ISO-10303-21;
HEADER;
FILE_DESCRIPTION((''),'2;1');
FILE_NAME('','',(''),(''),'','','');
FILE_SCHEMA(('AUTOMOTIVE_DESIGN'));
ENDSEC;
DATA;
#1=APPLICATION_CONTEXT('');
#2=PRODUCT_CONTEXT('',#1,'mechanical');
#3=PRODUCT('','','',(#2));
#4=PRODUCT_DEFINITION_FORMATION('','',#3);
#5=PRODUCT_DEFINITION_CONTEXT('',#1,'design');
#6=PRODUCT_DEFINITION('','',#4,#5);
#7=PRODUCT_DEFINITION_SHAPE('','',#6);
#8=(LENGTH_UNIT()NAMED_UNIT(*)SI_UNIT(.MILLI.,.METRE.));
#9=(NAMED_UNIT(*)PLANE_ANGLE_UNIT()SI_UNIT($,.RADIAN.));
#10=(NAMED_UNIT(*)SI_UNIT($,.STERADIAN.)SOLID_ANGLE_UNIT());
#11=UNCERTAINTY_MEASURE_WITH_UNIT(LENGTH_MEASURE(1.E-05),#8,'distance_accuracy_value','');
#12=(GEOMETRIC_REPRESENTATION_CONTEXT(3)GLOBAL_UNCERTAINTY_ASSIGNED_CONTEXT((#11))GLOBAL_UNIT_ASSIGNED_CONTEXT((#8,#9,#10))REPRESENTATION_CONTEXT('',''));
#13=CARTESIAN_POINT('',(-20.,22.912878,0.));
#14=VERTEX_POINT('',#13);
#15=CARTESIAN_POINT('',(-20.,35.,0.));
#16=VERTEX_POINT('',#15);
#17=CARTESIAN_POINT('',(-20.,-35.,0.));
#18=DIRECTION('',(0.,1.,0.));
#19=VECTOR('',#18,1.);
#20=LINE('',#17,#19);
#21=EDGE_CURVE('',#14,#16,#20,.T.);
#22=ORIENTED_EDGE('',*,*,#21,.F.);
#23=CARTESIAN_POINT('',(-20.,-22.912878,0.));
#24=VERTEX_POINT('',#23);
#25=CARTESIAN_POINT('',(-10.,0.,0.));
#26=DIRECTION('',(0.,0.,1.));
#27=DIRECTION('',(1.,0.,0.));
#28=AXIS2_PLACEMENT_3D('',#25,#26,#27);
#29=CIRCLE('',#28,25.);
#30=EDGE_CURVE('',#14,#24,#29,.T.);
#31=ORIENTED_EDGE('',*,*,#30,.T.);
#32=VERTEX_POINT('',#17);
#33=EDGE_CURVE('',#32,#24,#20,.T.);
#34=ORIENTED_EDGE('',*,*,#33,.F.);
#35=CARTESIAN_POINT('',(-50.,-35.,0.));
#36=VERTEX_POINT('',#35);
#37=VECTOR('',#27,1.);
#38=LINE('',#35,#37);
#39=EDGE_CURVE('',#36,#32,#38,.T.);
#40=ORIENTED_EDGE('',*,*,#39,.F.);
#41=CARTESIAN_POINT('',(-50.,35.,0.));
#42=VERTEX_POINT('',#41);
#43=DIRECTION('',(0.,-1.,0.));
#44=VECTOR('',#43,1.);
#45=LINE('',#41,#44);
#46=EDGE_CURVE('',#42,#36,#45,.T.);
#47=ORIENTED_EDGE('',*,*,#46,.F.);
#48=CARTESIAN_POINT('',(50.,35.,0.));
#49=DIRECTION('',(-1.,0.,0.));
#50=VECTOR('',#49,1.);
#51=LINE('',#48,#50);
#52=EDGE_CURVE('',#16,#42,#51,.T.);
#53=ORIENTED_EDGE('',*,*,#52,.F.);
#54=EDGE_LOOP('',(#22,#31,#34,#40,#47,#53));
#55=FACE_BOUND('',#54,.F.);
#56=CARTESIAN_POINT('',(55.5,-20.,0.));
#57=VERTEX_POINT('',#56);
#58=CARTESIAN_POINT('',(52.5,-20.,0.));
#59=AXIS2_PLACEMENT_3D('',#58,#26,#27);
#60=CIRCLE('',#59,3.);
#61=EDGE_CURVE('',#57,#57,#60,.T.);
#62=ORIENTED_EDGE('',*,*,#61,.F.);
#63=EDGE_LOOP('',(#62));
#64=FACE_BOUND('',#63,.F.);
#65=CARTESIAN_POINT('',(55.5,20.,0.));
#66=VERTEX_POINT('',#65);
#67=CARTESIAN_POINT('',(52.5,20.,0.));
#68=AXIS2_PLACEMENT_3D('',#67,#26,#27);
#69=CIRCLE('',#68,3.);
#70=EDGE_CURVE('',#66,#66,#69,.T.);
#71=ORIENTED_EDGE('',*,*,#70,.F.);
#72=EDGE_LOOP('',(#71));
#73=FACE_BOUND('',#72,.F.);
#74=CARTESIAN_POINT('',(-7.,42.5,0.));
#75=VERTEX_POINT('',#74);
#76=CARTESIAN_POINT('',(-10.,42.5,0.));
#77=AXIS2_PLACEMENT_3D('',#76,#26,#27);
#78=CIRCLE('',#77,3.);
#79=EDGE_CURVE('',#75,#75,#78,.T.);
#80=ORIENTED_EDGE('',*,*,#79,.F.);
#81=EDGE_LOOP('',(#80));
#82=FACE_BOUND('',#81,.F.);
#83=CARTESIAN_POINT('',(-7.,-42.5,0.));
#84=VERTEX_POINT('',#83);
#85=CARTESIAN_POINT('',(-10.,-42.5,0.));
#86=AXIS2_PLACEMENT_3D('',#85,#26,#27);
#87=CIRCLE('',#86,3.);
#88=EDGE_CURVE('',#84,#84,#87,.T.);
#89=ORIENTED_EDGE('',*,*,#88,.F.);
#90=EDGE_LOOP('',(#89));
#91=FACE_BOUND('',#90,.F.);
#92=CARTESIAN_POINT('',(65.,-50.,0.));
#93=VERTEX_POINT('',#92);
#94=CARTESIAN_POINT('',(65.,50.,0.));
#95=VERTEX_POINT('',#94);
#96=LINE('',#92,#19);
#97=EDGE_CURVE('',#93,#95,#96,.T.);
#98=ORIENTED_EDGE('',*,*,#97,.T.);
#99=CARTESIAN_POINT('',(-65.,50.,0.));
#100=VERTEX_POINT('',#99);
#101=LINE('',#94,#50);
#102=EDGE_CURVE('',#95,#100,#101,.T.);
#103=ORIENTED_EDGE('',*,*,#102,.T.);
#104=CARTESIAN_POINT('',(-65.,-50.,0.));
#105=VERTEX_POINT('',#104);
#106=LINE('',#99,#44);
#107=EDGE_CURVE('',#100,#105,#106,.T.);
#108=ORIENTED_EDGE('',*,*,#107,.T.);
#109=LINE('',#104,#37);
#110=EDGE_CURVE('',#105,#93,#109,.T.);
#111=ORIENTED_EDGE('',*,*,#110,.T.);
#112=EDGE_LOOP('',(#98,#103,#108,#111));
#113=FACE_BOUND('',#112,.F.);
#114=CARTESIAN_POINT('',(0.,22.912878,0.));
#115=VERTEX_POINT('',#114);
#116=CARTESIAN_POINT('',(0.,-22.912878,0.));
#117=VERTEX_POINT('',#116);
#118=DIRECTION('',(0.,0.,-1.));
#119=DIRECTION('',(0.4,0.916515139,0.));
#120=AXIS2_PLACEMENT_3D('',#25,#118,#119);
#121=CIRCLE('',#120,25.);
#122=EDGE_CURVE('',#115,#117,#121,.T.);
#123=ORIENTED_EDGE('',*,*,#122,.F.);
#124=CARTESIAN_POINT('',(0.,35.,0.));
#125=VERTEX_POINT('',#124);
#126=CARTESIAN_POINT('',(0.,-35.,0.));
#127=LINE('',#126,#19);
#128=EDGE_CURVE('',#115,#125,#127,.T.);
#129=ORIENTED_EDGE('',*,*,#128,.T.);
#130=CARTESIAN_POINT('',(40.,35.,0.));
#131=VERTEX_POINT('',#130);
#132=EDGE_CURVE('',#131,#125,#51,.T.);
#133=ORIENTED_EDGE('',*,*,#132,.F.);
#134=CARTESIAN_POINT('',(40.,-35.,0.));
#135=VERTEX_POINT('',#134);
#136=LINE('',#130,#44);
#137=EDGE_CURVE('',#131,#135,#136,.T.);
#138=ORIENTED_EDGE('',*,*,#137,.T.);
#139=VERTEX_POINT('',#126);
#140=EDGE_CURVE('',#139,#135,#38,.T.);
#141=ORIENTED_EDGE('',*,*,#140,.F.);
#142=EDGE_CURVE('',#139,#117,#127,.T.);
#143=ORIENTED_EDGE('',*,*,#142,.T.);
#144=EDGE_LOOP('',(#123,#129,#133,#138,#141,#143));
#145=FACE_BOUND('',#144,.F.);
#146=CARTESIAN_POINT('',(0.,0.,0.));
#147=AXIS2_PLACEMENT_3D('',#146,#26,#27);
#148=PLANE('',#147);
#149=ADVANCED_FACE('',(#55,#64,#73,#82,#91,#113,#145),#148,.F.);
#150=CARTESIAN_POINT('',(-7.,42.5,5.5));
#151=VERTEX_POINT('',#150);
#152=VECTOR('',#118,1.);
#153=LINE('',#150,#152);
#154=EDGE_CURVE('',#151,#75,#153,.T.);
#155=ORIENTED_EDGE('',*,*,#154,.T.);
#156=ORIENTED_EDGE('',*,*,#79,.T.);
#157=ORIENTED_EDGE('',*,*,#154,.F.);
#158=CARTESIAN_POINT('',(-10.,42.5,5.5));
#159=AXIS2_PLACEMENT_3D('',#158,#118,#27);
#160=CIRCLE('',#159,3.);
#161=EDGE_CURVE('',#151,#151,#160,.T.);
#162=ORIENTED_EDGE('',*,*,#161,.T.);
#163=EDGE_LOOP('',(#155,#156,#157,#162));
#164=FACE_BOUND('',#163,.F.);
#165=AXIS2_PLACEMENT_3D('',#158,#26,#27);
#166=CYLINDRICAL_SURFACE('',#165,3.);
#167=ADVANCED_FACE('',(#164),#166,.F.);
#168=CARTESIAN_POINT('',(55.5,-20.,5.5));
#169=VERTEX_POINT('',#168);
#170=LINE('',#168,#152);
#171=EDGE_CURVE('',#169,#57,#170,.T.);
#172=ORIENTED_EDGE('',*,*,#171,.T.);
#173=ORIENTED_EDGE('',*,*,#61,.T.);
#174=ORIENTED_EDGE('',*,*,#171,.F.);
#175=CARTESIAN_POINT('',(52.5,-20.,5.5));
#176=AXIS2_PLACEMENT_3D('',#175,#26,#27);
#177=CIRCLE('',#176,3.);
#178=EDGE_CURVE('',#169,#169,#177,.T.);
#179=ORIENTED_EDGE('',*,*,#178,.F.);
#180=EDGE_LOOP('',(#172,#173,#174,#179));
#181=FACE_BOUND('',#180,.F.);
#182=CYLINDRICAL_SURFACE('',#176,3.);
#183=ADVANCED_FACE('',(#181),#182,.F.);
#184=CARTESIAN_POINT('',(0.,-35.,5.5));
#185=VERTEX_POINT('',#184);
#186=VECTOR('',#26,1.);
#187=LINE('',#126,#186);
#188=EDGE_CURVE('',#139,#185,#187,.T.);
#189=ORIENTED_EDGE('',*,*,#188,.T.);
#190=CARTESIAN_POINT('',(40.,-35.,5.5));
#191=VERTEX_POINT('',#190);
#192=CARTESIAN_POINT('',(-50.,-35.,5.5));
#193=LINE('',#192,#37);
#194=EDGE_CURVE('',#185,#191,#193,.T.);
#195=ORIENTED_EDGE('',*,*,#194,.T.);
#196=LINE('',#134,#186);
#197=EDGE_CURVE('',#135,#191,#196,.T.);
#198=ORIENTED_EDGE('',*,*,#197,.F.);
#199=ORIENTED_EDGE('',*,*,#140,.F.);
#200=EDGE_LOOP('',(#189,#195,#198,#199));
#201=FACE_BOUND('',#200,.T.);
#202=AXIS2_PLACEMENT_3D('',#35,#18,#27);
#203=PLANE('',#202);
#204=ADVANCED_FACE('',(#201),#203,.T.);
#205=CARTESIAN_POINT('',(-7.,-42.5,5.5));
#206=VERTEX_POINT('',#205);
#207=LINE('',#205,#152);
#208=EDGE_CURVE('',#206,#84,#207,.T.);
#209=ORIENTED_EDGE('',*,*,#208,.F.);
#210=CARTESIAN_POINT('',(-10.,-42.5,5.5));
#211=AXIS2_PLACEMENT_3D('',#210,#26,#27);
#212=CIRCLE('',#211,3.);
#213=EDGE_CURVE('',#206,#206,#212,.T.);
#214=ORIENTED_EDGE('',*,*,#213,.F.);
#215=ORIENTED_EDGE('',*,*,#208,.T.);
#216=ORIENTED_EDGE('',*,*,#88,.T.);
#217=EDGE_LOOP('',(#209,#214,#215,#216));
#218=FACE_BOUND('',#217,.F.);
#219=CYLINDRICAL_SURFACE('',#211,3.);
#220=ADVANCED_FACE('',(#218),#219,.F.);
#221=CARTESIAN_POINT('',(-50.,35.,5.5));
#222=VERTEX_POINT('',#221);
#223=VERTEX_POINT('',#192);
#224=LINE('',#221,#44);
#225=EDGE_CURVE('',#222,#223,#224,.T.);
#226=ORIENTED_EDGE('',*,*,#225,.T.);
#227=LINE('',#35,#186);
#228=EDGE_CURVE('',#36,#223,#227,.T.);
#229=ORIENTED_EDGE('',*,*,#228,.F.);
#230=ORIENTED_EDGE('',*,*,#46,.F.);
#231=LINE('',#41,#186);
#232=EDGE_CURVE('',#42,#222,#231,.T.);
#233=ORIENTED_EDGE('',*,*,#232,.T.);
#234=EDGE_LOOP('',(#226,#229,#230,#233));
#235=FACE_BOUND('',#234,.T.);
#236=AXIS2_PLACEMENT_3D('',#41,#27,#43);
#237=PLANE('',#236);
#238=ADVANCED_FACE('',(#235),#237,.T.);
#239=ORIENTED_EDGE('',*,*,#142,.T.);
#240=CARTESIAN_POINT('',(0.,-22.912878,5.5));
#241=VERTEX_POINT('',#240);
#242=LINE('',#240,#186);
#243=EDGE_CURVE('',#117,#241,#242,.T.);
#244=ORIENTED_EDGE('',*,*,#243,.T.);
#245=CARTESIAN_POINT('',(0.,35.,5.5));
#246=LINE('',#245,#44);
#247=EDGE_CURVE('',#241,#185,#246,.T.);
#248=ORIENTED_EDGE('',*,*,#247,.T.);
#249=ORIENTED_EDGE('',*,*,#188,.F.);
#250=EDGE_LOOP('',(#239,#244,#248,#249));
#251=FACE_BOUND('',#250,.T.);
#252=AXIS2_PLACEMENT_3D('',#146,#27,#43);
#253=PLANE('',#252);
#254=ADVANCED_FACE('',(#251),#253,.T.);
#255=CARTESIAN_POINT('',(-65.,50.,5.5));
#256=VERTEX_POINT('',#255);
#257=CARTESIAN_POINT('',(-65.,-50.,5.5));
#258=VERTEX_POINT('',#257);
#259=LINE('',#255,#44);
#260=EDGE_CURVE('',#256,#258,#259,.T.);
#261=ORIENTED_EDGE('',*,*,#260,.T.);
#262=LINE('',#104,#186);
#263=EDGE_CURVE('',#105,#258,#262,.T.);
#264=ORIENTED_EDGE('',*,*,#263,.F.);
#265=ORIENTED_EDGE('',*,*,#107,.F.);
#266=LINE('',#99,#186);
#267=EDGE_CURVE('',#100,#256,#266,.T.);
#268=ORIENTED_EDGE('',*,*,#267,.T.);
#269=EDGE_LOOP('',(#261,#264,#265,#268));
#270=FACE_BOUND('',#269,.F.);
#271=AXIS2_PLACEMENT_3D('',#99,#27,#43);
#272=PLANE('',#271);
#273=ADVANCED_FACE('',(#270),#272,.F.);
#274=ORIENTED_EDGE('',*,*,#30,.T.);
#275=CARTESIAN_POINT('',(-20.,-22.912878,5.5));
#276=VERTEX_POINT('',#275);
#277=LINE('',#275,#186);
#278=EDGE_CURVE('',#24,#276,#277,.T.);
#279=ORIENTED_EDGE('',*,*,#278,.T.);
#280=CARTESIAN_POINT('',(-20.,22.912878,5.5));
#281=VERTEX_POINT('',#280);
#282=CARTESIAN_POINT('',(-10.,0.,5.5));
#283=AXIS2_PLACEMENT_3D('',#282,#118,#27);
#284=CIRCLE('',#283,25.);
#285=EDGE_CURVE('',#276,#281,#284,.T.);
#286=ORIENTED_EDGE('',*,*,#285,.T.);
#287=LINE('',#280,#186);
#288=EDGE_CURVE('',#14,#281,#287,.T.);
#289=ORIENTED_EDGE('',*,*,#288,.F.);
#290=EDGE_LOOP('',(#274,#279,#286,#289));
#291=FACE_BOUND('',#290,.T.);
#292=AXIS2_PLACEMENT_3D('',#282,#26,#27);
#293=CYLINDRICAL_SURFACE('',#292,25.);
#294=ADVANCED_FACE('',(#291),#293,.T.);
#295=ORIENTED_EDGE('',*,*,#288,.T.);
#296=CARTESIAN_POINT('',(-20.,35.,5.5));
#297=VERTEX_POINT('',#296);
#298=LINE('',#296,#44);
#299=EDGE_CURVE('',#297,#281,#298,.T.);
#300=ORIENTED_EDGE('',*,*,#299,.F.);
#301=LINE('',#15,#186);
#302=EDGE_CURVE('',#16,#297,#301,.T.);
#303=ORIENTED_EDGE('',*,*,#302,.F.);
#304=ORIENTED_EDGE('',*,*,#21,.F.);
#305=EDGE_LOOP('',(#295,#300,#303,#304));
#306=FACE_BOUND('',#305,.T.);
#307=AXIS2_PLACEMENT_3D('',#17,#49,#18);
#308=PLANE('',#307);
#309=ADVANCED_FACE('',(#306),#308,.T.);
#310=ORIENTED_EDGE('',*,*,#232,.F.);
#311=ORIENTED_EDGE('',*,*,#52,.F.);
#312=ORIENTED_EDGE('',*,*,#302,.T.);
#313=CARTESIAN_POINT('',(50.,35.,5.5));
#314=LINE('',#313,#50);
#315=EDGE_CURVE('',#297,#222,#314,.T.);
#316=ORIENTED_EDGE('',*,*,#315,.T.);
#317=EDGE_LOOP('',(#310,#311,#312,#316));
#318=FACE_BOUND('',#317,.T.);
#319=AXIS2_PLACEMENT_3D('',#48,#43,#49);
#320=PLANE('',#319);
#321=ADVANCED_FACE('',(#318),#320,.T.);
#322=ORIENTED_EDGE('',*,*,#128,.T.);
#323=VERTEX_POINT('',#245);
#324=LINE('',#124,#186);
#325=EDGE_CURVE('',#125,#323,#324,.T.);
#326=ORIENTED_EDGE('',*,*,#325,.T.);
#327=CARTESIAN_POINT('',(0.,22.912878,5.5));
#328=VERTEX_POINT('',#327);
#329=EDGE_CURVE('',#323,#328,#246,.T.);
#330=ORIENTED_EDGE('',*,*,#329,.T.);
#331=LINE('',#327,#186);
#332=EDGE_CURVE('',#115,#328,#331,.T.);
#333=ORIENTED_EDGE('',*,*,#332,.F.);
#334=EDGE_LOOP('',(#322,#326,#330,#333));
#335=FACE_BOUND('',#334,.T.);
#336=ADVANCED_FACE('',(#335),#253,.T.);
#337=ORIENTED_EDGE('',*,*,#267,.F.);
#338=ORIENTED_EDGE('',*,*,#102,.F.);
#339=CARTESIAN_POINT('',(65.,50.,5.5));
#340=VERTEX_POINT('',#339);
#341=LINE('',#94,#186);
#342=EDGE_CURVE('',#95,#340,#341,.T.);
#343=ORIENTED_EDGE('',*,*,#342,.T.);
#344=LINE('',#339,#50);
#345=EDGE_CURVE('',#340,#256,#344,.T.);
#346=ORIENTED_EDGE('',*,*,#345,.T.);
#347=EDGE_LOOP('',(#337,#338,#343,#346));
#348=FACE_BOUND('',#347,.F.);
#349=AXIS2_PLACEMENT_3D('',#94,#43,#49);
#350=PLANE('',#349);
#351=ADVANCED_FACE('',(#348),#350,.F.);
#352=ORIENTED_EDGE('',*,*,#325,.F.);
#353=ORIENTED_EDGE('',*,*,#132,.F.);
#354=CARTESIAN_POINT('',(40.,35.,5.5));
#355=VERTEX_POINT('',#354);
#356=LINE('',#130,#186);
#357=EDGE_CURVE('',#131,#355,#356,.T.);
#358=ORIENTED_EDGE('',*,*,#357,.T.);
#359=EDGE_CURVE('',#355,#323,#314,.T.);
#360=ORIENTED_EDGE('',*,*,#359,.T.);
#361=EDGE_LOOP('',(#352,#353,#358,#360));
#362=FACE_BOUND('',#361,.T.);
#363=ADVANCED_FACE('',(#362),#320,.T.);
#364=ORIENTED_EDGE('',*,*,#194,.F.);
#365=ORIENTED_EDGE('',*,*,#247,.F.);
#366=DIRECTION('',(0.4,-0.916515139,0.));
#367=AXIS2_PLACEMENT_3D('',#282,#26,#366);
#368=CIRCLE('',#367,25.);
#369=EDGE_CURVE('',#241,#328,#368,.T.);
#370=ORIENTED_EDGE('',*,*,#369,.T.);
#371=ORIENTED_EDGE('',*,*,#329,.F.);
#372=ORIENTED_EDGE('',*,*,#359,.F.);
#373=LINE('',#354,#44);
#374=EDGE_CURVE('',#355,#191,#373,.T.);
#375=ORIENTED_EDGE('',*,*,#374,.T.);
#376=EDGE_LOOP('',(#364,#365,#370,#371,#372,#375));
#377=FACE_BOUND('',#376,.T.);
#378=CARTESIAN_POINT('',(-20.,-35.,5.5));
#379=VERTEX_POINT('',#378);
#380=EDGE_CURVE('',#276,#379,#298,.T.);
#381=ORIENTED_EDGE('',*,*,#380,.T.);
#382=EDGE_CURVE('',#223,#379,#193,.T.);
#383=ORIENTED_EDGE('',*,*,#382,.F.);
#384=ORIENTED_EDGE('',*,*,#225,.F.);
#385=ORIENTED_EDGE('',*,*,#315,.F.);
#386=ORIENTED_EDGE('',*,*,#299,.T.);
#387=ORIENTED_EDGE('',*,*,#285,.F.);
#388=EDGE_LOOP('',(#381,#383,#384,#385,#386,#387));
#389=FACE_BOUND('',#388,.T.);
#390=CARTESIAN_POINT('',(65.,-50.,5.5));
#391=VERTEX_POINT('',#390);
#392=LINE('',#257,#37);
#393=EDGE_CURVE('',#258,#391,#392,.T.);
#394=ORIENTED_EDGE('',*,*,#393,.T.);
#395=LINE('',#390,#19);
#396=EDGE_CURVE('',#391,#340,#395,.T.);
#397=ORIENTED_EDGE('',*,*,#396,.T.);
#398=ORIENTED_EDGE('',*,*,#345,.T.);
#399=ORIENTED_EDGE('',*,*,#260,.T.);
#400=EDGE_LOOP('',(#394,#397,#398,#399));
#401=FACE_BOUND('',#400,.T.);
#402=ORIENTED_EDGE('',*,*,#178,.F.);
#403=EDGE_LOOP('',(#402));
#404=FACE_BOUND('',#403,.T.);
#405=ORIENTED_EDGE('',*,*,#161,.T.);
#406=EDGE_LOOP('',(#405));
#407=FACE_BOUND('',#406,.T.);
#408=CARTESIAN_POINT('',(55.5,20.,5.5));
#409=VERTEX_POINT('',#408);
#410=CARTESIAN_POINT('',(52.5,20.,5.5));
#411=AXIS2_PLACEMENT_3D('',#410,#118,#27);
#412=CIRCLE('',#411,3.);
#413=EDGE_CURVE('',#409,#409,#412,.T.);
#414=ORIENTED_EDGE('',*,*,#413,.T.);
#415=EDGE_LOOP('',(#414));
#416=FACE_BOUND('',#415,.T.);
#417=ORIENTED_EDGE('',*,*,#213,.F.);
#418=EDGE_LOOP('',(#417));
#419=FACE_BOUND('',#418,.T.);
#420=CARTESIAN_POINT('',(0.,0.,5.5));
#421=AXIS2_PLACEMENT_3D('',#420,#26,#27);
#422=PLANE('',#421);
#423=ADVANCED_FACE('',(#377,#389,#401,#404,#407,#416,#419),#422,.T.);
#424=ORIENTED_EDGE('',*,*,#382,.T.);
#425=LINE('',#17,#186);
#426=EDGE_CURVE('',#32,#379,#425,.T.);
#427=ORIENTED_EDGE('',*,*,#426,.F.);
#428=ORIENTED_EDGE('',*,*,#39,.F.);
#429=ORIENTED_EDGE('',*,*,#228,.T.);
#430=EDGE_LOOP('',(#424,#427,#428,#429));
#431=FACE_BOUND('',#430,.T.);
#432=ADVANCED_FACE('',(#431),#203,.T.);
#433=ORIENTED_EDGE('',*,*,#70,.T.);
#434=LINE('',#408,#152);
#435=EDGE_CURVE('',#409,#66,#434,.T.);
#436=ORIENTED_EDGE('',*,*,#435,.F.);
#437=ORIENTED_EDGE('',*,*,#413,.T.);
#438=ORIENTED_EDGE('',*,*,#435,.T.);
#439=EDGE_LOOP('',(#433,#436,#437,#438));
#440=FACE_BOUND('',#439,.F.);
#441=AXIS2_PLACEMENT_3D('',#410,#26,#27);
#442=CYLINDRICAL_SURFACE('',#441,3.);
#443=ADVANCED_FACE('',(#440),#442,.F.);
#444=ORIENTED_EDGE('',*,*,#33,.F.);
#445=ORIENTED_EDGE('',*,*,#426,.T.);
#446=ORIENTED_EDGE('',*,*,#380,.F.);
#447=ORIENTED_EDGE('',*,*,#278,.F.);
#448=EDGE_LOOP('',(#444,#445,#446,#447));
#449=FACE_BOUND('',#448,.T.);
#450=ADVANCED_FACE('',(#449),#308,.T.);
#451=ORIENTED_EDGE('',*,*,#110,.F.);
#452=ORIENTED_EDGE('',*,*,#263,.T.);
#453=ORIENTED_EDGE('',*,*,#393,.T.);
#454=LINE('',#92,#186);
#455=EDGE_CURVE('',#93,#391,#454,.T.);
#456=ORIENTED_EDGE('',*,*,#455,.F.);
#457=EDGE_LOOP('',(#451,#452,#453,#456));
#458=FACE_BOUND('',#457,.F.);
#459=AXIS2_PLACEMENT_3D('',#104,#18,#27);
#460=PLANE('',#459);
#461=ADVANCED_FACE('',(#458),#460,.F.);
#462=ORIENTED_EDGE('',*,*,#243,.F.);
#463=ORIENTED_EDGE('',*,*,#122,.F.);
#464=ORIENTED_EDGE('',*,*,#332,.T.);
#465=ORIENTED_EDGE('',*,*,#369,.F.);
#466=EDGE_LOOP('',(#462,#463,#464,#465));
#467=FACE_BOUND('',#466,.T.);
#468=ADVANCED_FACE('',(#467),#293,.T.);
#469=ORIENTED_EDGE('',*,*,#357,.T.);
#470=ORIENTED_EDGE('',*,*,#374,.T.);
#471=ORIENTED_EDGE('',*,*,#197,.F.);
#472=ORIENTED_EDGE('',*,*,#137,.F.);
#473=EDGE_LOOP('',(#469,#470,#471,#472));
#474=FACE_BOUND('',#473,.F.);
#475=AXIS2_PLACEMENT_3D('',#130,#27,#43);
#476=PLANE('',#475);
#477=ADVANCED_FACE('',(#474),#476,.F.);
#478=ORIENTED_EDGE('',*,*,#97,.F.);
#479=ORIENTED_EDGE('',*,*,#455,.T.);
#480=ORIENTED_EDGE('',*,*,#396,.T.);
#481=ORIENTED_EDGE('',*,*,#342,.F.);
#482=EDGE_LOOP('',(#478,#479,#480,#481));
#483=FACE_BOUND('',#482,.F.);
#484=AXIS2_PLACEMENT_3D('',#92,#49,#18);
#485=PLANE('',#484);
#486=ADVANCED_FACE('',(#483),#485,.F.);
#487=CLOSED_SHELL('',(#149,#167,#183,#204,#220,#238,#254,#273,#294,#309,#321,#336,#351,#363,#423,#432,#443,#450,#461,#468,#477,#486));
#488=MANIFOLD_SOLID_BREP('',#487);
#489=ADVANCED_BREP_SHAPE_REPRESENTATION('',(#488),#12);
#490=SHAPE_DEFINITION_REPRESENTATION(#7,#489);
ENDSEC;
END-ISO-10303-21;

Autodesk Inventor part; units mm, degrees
ref_plane "YZ Plane" through (0, 0, 0) normal (1, 0, 0) x (0, 1, 0)
ref_plane "XZ Plane" through (0, 0, 0) normal (0, 1, 0) x (-1, 0, 0)
ref_plane "XY Plane" through (0, 0, 0) normal (0, 0, 1) x (1, 0, 0)
sketch "Boceto1" plane through (0, 0, 0) normal (0, 0, 1) x (1, 0, 0)
  line L0 (-65, -50) -> (65, -50)
  line L1 (65, -50) -> (65, 50)
  line L2 (65, 50) -> (-65, 50)
  line L3 (-65, 50) -> (-65, -50)
  line L4 (-65, -50) -> (65, 50) construction
  line L5 (65, -50) -> (-65, 50) construction
  line L6 (-50, -35) -> (50, -35)
  line L7 (50, -35) -> (50, 35)
  line L8 (50, 35) -> (-50, 35)
  line L9 (-50, 35) -> (-50, -35)
  line L10 (-50, -35) -> (50, 35) construction
  line L11 (50, -35) -> (-50, 35) construction
  point P0 (0, 0)
  dimension "d0" = 130
  dimension "d1" = 100
  dimension "d2" = 100
  dimension "d3" = 70
extrude "Extrusión1" add sketch "Boceto1" along normal blind 5.5
sketch "Boceto2" plane through (0, 0, 0) normal (0, 0, 1) x (1, 0, 0)
  line L0 (0, 0) -> (-20, 0)
  line L1 (-20, 0) -> (-20, 35)
  line L2 (-50, 35) -> (50, 35) projected
  line L3 (-20, 0) -> (0, 0)
  line L4 (0, 0) -> (0, 35)
  line L5 (0, 35) -> (-20, 35)
  line L6 (-20, 35) -> (-20, 0)
  line L7 (50, -35) -> (-50, -35) projected
  line L8 (-20, 0) -> (0, 0)
  line L9 (0, 0) -> (0, -35)
  line L10 (0, -35) -> (-20, -35)
  line L11 (-20, -35) -> (-20, 0)
  line L12 (50, 35) -> (40, 35)
  line L13 (40, 35) -> (40, -35)
  line L14 (50, 35) -> (50, -35) projected
  line L15 (50, -35) -> (50, 35)
  line L16 (50, -35) -> (40, -35)
  dimension "d6" = 20
  dimension "d7" = 10
extrude "Extrusión9" add sketch "Boceto2" along normal blind 5.5 contours L9 L7 L11 L0 | L0 L1 L2 L4 | L2 L14 L7 L13
sketch "Boceto8" plane through (0, 0, 5.5) normal (0, 0, 1) x (1, 0, 0)
  line L0 (0, 0) -> (-20, 0)
  line L1 (-20, 35) -> (-20, -35) projected
  line L2 (-10, 0) -> (-10, 50)
  line L3 (65, 50) -> (-65, 50) projected
  line L4 (0, 35) -> (-10, 35)
  line L5 (-10, 35) -> (-10, 50)
  line L6 (-10, 50) -> (-10, 42.5)
  line L7 (-10, 0) -> (65, 0)
  line L8 (65, -50) -> (65, 50) projected
  line L9 (40, 35) -> (40, -35) projected
  line L10 (40, 0) -> (65, 0)
  line L11 (52.5, 0) -> (52.5, 20)
  circle A0 centre (-10, 42.5) radius 3
  circle A1 centre (52.5, 20) radius 3
  circle A2 centre (-10, -42.5) radius 3
  circle A3 centre (52.5, -20) radius 3
  dimension "d32" = 20
  dimension "d33" = 6
  dimension "d34" = 6
extrude "Extrusión10" cut sketch "Boceto8" against normal blind 5.5 contours A1 | A0 L2 | L2 A0 | A2 | A3
sketch "Boceto9" plane through (0, 0, 5.5) normal (0, 0, 1) x (1, 0, 0)
  line L0 (-20, 35) -> (-20, -35) projected
  line L1 (-20, 0) -> (0, 0)
  circle A0 centre (-10, 0) radius 25
  dimension "d40" = 50
extrude "Extrusión12" add sketch "Boceto9" against normal blind 5.5
properties part number "BASE"
